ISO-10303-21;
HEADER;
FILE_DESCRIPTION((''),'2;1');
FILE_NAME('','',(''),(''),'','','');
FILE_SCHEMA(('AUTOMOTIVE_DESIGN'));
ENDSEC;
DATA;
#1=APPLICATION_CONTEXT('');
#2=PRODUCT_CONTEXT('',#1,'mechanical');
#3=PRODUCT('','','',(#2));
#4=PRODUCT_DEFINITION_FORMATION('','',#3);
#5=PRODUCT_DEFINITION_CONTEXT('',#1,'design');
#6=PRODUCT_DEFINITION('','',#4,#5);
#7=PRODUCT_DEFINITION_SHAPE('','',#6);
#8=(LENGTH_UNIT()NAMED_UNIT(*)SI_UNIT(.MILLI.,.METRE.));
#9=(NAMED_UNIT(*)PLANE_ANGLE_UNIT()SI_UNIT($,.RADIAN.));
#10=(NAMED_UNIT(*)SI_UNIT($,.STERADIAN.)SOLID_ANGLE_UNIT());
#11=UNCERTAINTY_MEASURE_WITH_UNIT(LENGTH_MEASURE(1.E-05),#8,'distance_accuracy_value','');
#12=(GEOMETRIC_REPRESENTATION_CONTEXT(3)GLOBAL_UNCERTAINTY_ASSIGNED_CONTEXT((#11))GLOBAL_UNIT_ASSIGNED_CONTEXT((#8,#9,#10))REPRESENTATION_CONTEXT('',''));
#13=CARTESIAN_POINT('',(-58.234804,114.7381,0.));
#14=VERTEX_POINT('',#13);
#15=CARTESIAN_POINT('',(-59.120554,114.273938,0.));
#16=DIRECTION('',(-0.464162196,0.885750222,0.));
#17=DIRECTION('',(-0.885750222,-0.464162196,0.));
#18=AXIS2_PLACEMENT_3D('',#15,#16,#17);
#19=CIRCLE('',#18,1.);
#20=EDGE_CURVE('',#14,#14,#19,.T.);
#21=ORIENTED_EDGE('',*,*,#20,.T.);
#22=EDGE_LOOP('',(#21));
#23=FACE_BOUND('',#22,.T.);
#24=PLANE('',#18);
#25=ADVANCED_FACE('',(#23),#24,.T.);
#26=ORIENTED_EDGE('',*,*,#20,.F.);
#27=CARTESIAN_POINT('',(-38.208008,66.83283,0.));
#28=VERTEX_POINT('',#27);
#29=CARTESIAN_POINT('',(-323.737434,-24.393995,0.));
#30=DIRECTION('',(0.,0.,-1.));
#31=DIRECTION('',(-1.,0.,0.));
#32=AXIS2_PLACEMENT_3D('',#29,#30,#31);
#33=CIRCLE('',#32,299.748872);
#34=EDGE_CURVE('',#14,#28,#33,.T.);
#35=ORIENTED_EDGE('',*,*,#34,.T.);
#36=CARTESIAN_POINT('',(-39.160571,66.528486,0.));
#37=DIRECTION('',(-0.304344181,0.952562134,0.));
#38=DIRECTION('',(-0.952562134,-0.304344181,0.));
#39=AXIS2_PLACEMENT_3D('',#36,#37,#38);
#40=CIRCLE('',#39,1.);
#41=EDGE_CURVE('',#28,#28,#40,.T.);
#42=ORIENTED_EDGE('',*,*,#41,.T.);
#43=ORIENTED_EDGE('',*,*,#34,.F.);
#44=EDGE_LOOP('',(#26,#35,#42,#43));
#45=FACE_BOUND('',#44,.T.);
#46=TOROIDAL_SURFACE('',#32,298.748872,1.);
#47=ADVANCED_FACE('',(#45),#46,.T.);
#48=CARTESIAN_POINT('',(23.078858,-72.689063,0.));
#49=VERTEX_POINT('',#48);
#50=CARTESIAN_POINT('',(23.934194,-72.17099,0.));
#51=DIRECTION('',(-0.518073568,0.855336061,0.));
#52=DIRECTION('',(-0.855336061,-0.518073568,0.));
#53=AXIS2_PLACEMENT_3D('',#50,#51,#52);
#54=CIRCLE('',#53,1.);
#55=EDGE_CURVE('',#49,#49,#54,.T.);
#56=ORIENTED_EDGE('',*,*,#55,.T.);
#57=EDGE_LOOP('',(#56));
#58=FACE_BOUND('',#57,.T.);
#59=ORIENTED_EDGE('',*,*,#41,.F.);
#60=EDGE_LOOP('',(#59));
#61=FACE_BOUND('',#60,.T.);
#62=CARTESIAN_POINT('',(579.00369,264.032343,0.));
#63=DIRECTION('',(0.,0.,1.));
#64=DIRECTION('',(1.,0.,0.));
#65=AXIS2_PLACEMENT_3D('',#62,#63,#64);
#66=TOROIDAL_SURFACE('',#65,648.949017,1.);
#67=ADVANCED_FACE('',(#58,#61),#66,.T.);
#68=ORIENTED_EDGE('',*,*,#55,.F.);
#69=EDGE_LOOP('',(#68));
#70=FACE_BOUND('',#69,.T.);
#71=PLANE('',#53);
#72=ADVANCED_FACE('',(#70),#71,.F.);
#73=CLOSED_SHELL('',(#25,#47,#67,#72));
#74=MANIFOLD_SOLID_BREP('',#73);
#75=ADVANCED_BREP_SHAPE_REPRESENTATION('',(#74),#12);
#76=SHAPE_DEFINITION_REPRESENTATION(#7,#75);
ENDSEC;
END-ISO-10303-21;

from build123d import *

# Parameters (mm, degrees)
VARREDURA1_PROFILE_R = 1


with BuildPart() as part:
    # Varredura1: sweep along a path in Esboço1
    with BuildLine(Plane.XY) as varredura1_path:
        ThreePointArc((-59.120554028, 114.27393769), (-48.10479989, 90.834212195), (-39.160570584, 66.52848586))
        ThreePointArc((-39.160570584, 66.52848586), (-11.698221448, -4.679544498), (23.934193748, -72.170989844))
    # Varredura1 profile (on start of the path) → Varredura1 (sweep)
    with BuildSketch(Plane(origin=(-59.120554028, 114.27393769, 0), x_dir=(-0.885750222, -0.464162196, 0), z_dir=(0.464162196, -0.885750222, 0))):
        Circle(VARREDURA1_PROFILE_R)
    sweep(path=varredura1_path.line)


solid = part.part
